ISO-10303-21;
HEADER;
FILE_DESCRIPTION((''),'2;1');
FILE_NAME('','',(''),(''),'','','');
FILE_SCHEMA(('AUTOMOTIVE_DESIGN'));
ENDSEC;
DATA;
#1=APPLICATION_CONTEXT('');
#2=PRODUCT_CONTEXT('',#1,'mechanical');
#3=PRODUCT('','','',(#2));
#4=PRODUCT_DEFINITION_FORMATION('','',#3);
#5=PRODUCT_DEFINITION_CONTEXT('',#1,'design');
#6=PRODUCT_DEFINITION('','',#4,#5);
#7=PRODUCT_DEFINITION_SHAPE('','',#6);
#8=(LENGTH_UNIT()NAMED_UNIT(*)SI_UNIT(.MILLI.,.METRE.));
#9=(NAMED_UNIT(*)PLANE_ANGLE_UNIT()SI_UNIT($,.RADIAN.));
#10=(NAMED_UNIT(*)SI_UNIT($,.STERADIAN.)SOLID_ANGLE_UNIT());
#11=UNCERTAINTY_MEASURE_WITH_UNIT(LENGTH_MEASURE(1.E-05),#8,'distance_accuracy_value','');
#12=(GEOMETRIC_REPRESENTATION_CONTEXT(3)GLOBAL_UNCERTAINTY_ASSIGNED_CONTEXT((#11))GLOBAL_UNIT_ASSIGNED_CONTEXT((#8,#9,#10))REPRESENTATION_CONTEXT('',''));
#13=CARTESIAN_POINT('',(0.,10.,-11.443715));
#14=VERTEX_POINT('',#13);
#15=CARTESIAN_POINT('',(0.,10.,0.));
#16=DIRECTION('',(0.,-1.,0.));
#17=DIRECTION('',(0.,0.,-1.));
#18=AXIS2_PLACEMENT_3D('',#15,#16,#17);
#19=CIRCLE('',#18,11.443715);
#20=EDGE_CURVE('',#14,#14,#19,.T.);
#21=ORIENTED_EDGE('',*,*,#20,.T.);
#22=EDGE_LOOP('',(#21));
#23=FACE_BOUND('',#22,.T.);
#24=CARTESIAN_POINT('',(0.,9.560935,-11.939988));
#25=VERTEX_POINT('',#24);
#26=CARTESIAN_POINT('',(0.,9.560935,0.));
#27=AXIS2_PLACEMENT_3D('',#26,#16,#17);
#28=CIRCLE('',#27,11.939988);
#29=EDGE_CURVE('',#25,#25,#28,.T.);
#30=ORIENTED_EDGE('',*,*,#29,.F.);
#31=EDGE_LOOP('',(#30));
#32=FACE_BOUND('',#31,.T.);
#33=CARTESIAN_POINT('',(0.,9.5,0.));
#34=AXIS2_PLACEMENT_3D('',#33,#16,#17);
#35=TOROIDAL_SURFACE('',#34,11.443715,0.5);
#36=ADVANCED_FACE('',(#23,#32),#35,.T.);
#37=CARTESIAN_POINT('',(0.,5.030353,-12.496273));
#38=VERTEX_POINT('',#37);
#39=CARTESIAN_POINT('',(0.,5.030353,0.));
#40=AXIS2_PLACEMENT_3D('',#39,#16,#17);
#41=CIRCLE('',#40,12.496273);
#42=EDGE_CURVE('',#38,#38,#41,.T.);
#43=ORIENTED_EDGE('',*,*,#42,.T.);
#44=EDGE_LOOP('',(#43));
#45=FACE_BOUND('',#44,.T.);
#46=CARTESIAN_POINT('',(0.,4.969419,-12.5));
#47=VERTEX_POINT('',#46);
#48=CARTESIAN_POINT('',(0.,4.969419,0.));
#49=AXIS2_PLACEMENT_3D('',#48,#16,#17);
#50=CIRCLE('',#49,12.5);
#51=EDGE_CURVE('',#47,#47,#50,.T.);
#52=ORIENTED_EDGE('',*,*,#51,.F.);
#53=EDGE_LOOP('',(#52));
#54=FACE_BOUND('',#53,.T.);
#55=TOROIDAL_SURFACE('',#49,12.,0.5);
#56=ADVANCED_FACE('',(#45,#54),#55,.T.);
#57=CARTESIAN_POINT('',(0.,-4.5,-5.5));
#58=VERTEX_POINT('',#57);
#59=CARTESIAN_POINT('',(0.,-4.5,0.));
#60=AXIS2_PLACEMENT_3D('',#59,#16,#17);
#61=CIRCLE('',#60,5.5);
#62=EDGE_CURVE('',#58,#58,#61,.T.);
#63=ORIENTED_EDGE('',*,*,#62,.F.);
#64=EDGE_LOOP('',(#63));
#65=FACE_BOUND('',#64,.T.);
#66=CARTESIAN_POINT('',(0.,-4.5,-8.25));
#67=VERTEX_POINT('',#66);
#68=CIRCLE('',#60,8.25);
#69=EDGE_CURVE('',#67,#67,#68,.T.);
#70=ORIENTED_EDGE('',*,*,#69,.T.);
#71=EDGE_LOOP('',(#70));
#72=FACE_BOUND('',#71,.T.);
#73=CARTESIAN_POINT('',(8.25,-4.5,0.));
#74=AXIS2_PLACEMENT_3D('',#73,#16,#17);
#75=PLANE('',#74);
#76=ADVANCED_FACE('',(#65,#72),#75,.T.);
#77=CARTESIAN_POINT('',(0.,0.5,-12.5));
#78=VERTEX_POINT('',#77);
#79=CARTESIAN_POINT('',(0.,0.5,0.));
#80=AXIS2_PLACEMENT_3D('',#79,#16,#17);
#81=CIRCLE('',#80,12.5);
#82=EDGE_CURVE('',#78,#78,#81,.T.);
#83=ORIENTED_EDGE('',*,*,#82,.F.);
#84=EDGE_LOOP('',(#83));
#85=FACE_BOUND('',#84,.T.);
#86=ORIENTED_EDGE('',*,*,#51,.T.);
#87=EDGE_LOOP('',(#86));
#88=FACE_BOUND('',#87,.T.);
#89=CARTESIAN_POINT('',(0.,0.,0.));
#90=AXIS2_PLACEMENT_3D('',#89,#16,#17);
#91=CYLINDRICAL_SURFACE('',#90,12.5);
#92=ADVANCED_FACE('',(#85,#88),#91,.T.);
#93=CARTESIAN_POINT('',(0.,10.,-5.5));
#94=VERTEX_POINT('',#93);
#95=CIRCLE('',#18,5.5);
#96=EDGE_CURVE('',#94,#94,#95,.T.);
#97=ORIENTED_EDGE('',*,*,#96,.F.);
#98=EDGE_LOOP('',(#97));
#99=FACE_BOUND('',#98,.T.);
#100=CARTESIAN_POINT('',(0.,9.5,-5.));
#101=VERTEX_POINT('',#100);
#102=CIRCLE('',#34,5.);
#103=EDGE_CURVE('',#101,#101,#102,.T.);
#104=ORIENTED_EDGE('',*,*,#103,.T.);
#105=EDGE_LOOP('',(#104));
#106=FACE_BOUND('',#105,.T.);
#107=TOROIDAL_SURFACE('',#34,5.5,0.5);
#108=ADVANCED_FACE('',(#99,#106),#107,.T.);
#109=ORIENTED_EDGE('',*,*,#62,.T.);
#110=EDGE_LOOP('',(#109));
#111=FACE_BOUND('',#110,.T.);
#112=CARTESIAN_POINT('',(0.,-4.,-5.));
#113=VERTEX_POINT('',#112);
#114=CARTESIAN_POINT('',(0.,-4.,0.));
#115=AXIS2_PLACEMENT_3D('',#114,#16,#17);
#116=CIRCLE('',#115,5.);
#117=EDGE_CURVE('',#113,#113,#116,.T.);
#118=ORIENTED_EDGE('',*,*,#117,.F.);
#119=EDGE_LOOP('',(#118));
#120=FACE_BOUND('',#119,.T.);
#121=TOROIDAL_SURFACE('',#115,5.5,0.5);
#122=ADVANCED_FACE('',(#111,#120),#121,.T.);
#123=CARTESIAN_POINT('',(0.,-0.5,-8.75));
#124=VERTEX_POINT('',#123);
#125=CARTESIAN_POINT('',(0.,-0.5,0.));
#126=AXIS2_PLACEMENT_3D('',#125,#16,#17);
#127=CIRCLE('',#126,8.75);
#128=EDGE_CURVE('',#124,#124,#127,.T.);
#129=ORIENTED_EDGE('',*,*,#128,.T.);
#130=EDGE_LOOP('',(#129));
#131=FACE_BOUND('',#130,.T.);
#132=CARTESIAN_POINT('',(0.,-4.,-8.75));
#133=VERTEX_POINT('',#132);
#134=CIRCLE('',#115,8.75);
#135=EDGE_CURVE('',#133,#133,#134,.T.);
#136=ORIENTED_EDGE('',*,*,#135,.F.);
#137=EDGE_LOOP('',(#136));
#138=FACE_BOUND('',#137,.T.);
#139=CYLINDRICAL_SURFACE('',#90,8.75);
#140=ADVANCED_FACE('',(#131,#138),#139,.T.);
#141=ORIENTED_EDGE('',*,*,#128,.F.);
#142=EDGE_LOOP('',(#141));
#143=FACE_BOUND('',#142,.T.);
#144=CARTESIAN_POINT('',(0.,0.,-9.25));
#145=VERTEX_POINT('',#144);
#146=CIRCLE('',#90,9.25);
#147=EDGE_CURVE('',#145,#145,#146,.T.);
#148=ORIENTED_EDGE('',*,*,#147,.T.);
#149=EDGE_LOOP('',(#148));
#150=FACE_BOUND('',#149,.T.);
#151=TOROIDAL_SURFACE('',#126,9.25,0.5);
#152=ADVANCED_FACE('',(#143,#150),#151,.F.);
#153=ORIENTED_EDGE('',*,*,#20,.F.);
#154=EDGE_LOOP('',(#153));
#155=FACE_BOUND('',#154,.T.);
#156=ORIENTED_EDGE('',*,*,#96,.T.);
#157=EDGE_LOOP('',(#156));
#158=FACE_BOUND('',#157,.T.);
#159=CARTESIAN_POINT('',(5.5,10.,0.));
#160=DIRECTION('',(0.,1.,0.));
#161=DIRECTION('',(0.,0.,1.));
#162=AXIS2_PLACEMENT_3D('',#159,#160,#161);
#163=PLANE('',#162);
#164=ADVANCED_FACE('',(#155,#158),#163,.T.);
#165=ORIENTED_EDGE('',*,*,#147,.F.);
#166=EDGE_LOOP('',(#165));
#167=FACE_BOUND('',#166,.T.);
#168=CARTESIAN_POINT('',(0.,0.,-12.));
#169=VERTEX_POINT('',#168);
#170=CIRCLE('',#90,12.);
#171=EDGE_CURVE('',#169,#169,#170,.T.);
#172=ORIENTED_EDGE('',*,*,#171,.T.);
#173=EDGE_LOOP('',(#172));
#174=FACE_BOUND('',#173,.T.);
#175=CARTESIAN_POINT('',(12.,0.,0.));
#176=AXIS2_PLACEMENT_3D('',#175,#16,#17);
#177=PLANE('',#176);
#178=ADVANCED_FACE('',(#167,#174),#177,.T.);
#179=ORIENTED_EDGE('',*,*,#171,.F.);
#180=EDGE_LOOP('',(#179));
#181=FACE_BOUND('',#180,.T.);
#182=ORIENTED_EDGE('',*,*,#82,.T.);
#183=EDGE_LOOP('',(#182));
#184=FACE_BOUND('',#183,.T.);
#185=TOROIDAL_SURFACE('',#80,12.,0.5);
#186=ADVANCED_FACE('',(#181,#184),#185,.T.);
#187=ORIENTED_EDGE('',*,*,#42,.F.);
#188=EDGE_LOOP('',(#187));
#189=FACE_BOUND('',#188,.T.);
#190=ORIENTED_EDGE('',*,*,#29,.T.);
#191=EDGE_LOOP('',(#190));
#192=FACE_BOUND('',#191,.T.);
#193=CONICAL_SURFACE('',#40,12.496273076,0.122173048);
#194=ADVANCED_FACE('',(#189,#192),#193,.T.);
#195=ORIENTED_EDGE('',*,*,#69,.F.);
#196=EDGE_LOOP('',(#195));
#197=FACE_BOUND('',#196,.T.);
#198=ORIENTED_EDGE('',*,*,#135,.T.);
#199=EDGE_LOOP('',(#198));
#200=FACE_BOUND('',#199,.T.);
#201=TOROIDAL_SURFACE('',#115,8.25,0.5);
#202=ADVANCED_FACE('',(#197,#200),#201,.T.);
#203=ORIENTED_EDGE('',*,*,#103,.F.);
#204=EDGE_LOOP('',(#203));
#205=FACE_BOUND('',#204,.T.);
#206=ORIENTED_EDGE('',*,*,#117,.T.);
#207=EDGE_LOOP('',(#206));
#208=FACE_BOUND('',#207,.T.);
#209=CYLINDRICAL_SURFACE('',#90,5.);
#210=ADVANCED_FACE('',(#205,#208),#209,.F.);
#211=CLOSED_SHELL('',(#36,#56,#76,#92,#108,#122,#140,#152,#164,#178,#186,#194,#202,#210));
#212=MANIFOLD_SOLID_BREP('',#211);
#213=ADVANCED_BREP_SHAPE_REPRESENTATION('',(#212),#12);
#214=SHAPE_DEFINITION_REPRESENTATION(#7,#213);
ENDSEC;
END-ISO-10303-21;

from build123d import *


with BuildPart() as part:
    # Sketch1 → Revolve1 (revolve)
    with BuildSketch(Plane.XY, mode=Mode.PRIVATE) as revolve1_sk:
        with BuildLine():
            Line((5.5, 10), (11.443714563, 10))
            ThreePointArc((11.443714563, 10), (11.775024587, 9.87447786), (11.939987639, 9.560934672))
            Line((11.939987639, 9.560934672), (12.496273076, 5.030353362))
            ThreePointArc((12.496273076, 5.030353362), (12.499067399, 4.99994296), (12.5, 4.96941869))
            Line((12.5, 4.96941869), (12.5, 0.5))
            ThreePointArc((12.5, 0.5), (12.353553391, 0.146446609), (12, 0))
            Line((12, 0), (9.25, 0))
            ThreePointArc((9.25, 0), (8.896446609, -0.146446609), (8.75, -0.5))
            Line((8.75, -0.5), (8.75, -4))
            ThreePointArc((8.75, -4), (8.603553391, -4.353553391), (8.25, -4.5))
            Line((8.25, -4.5), (5.5, -4.5))
            ThreePointArc((5.5, -4.5), (5.146446609, -4.353553391), (5, -4))
            Line((5, -4), (5, 9.5))
            ThreePointArc((5, 9.5), (5.146446609, 9.853553391), (5.5, 10))
        make_face()
    revolve(revolve1_sk.sketch.rotate(Axis((0, 0, 0), (0, 1, 0)), 90), axis=Axis((0, 0, 0), (0, 1, 0)))


solid = part.part
